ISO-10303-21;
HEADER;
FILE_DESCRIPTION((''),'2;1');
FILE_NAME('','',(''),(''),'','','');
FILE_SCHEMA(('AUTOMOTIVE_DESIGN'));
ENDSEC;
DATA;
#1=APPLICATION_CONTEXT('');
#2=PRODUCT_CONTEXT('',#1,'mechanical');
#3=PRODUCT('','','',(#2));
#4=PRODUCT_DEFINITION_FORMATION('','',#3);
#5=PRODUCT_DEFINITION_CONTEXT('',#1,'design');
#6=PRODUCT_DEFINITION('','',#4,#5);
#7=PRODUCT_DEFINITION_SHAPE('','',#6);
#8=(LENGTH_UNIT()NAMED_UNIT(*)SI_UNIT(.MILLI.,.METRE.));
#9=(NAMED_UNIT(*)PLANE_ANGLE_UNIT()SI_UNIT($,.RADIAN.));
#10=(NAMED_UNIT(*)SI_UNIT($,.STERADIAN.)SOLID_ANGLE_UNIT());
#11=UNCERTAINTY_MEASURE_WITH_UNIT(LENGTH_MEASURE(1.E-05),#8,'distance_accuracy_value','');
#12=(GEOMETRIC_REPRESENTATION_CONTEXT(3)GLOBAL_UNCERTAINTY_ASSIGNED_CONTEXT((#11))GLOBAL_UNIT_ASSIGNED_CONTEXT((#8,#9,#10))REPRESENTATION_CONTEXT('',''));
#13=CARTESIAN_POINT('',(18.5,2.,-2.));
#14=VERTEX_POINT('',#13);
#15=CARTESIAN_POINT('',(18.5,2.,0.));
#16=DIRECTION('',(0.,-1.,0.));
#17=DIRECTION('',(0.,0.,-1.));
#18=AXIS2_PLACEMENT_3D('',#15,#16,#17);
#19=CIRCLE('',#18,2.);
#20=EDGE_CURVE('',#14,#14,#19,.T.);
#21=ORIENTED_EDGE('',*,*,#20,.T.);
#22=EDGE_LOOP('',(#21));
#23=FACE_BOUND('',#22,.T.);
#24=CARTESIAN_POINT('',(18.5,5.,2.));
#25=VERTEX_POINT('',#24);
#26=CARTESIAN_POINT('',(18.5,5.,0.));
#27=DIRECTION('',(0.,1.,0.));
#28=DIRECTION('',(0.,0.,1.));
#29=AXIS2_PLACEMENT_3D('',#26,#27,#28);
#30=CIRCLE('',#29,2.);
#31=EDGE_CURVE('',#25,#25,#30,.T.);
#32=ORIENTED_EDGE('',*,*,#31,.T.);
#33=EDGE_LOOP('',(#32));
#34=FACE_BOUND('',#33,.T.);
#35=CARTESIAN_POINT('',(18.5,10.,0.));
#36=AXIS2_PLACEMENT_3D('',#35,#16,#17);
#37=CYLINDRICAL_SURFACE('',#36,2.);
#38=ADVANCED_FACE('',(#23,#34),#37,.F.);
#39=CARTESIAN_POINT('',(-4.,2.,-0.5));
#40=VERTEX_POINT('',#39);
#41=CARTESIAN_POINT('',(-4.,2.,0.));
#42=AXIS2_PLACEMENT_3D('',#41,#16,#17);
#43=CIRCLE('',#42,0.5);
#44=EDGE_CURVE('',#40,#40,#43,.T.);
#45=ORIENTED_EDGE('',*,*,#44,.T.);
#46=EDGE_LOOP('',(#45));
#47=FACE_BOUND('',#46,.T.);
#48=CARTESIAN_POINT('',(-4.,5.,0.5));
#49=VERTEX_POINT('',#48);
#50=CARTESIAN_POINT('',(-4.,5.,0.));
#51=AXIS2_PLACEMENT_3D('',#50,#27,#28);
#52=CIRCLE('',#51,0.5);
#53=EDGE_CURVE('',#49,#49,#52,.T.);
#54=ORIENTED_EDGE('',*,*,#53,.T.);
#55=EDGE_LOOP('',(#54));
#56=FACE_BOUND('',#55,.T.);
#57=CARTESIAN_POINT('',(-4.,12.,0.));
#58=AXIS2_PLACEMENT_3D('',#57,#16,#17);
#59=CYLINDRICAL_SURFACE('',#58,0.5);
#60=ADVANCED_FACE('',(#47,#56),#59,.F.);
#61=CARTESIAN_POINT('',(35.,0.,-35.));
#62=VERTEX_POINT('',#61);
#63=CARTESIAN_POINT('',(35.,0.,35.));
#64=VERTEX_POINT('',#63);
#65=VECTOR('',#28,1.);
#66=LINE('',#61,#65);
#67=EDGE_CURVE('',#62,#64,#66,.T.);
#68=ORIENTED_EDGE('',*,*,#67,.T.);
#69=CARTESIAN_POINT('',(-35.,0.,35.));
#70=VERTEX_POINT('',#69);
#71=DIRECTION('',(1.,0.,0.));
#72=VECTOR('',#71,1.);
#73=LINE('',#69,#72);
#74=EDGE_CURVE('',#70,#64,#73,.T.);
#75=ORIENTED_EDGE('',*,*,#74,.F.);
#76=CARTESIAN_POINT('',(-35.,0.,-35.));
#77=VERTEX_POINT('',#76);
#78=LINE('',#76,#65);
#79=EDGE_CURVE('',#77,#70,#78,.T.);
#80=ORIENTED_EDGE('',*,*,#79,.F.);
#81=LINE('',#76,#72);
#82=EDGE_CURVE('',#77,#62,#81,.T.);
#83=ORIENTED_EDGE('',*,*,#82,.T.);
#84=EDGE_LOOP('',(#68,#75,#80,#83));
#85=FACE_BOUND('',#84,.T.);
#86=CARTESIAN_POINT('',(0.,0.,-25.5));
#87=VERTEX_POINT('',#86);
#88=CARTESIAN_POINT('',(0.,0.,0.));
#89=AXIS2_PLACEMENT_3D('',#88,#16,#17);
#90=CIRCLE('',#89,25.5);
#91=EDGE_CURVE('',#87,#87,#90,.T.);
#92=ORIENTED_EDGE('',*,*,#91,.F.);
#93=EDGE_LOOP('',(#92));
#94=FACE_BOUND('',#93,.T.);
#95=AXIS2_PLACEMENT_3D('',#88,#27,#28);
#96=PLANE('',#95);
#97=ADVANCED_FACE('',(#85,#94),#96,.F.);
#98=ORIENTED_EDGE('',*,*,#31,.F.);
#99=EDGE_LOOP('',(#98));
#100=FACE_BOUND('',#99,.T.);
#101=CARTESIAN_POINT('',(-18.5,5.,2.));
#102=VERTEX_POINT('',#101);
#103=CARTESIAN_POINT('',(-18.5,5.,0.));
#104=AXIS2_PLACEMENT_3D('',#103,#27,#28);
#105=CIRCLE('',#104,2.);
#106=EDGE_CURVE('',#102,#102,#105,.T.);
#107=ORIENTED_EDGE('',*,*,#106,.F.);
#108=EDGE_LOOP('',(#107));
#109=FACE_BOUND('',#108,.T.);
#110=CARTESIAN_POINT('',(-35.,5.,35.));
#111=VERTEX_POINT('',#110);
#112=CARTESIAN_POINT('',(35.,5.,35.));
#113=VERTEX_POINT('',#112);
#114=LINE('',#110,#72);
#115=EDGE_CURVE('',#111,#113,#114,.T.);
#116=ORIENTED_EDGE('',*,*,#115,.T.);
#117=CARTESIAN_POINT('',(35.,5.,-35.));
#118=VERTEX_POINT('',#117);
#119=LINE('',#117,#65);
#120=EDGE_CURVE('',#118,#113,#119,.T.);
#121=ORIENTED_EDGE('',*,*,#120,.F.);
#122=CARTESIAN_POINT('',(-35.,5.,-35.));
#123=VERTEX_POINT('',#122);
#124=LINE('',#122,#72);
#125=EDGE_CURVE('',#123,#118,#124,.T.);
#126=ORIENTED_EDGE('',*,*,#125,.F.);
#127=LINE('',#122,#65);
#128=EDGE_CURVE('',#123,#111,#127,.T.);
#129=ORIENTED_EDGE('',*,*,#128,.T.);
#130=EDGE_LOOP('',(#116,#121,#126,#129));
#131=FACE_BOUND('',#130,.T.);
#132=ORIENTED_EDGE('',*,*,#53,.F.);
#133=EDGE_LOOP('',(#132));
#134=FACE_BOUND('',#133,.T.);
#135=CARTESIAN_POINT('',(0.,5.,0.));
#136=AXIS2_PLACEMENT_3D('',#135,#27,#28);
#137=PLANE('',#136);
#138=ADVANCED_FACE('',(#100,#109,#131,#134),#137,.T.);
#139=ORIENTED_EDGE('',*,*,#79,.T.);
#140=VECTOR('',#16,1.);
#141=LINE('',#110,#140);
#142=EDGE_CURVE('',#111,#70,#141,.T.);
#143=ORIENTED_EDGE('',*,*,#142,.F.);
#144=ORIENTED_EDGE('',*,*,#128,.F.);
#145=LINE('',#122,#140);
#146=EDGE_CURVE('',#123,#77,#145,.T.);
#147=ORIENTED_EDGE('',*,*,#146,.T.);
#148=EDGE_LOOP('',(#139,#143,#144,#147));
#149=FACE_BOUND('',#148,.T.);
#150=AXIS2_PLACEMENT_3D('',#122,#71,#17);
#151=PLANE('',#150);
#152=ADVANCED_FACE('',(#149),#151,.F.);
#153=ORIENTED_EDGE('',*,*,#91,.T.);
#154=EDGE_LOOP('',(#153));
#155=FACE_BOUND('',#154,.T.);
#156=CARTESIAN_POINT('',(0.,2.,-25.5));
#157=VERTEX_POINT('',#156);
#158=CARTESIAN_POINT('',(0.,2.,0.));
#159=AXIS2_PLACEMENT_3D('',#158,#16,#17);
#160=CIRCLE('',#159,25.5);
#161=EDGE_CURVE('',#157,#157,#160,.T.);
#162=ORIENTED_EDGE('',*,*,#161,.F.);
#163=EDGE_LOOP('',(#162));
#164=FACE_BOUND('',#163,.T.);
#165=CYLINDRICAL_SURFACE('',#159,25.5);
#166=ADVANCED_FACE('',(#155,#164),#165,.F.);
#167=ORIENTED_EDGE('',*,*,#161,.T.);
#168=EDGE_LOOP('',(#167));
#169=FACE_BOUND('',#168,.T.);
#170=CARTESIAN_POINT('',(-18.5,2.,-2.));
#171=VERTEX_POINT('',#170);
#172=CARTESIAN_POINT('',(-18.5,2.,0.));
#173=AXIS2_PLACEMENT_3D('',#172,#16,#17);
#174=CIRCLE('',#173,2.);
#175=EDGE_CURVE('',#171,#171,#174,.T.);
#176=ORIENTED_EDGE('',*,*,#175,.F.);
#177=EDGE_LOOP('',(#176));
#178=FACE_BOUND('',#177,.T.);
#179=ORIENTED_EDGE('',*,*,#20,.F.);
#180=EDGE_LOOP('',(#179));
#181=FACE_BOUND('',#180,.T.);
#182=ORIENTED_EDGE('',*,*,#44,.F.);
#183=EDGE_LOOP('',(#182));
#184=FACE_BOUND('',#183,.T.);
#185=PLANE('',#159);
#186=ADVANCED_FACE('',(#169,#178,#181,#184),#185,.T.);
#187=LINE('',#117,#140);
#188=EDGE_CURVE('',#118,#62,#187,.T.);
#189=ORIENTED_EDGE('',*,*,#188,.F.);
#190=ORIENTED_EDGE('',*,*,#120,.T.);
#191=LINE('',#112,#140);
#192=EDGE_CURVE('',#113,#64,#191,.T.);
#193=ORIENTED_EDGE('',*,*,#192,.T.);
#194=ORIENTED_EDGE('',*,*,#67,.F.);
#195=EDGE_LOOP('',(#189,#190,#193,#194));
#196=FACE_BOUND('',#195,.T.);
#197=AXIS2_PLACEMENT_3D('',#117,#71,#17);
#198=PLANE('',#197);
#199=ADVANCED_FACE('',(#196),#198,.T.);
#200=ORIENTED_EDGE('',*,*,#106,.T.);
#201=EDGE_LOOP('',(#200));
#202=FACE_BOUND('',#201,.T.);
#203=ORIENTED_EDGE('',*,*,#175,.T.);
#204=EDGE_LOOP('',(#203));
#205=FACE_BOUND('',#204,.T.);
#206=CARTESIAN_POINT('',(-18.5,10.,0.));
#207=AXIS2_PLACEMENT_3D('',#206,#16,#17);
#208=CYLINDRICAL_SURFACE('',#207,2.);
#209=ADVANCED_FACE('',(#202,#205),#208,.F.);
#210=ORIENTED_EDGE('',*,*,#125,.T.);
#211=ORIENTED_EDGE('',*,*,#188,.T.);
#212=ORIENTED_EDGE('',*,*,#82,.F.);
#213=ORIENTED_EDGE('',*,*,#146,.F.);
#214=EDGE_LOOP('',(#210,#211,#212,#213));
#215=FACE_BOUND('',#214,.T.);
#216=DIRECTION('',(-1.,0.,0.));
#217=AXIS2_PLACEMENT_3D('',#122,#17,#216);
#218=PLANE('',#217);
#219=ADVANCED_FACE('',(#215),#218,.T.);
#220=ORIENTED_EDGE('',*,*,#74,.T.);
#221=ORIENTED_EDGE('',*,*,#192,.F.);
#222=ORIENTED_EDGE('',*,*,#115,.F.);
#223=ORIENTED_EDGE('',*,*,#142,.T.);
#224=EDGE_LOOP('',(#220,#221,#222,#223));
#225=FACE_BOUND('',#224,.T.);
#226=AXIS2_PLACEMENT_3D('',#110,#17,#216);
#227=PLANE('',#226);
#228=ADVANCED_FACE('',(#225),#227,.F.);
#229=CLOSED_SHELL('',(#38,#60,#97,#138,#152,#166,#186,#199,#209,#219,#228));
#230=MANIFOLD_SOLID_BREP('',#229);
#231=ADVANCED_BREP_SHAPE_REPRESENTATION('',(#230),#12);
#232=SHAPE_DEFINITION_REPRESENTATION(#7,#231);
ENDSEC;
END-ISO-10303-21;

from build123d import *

# Parameters (mm, degrees)
SKETCH1_W           = 70
SKETCH1_H           = 70
BOSS_EXTRUDE1_DEPTH = 5
SKETCH2_R           = 25.5
SKETCH2_R_2         = 2
CUT_EXTRUDE3_DEPTH  = 2
SKETCH3_R           = 2
CUT_EXTRUDE4_DEPTH  = 10
SKETCH4_R           = 2
CUT_EXTRUDE5_DEPTH  = 10
SKETCH5_R           = 0.5
CUT_EXTRUDE7_DEPTH  = 10


with BuildPart() as part:
    # Sketch1 → Boss-Extrude1 (new body)
    with BuildSketch(Plane(origin=(0, 0, 0), x_dir=(1, 0, 0), z_dir=(0, 1, 0))):
        Rectangle(SKETCH1_W, SKETCH1_H)
    extrude(amount=BOSS_EXTRUDE1_DEPTH)

    # Sketch2 → Cut-Extrude3 (cut)
    with BuildSketch(Plane.XZ):
        with Locations(Location((0, 0, 0), (0, 0, 270))):
            Circle(SKETCH2_R)
        with Locations(Location((-18.5, 0, 0), (0, 0, 270))):
            Circle(SKETCH2_R_2, mode=Mode.SUBTRACT)
        with Locations(Location((18.5, 0, 0), (0, 0, 90))):
            Circle(SKETCH2_R_2, mode=Mode.SUBTRACT)
    extrude(amount=-CUT_EXTRUDE3_DEPTH, mode=Mode.SUBTRACT)

    # Sketch3 → Cut-Extrude4 (cut)
    with BuildSketch(Plane.XZ):
        with Locations(Location((18.5, 0, 0), (0, 0, 270))):
            Circle(SKETCH3_R)
    extrude(amount=-CUT_EXTRUDE4_DEPTH, mode=Mode.SUBTRACT)

    # Sketch4 → Cut-Extrude5 (cut)
    with BuildSketch(Plane(origin=(0, 0, 0), x_dir=(-1, 0, 0), z_dir=(0, -1, 0))):
        with Locations(Location((18.5, 0, 0), (0, 0, 90))):
            Circle(SKETCH4_R)
    extrude(amount=-CUT_EXTRUDE5_DEPTH, mode=Mode.SUBTRACT)

    # Sketch5 → Cut-Extrude7 (cut)
    with BuildSketch(Plane(origin=(0, 2, 0), x_dir=(-1, 0, 0), z_dir=(0, -1, 0))):
        with Locations(Location((4, 0, 0), (0, 0, 90))):
            Circle(SKETCH5_R)
    extrude(amount=-CUT_EXTRUDE7_DEPTH, mode=Mode.SUBTRACT)


solid = part.part
